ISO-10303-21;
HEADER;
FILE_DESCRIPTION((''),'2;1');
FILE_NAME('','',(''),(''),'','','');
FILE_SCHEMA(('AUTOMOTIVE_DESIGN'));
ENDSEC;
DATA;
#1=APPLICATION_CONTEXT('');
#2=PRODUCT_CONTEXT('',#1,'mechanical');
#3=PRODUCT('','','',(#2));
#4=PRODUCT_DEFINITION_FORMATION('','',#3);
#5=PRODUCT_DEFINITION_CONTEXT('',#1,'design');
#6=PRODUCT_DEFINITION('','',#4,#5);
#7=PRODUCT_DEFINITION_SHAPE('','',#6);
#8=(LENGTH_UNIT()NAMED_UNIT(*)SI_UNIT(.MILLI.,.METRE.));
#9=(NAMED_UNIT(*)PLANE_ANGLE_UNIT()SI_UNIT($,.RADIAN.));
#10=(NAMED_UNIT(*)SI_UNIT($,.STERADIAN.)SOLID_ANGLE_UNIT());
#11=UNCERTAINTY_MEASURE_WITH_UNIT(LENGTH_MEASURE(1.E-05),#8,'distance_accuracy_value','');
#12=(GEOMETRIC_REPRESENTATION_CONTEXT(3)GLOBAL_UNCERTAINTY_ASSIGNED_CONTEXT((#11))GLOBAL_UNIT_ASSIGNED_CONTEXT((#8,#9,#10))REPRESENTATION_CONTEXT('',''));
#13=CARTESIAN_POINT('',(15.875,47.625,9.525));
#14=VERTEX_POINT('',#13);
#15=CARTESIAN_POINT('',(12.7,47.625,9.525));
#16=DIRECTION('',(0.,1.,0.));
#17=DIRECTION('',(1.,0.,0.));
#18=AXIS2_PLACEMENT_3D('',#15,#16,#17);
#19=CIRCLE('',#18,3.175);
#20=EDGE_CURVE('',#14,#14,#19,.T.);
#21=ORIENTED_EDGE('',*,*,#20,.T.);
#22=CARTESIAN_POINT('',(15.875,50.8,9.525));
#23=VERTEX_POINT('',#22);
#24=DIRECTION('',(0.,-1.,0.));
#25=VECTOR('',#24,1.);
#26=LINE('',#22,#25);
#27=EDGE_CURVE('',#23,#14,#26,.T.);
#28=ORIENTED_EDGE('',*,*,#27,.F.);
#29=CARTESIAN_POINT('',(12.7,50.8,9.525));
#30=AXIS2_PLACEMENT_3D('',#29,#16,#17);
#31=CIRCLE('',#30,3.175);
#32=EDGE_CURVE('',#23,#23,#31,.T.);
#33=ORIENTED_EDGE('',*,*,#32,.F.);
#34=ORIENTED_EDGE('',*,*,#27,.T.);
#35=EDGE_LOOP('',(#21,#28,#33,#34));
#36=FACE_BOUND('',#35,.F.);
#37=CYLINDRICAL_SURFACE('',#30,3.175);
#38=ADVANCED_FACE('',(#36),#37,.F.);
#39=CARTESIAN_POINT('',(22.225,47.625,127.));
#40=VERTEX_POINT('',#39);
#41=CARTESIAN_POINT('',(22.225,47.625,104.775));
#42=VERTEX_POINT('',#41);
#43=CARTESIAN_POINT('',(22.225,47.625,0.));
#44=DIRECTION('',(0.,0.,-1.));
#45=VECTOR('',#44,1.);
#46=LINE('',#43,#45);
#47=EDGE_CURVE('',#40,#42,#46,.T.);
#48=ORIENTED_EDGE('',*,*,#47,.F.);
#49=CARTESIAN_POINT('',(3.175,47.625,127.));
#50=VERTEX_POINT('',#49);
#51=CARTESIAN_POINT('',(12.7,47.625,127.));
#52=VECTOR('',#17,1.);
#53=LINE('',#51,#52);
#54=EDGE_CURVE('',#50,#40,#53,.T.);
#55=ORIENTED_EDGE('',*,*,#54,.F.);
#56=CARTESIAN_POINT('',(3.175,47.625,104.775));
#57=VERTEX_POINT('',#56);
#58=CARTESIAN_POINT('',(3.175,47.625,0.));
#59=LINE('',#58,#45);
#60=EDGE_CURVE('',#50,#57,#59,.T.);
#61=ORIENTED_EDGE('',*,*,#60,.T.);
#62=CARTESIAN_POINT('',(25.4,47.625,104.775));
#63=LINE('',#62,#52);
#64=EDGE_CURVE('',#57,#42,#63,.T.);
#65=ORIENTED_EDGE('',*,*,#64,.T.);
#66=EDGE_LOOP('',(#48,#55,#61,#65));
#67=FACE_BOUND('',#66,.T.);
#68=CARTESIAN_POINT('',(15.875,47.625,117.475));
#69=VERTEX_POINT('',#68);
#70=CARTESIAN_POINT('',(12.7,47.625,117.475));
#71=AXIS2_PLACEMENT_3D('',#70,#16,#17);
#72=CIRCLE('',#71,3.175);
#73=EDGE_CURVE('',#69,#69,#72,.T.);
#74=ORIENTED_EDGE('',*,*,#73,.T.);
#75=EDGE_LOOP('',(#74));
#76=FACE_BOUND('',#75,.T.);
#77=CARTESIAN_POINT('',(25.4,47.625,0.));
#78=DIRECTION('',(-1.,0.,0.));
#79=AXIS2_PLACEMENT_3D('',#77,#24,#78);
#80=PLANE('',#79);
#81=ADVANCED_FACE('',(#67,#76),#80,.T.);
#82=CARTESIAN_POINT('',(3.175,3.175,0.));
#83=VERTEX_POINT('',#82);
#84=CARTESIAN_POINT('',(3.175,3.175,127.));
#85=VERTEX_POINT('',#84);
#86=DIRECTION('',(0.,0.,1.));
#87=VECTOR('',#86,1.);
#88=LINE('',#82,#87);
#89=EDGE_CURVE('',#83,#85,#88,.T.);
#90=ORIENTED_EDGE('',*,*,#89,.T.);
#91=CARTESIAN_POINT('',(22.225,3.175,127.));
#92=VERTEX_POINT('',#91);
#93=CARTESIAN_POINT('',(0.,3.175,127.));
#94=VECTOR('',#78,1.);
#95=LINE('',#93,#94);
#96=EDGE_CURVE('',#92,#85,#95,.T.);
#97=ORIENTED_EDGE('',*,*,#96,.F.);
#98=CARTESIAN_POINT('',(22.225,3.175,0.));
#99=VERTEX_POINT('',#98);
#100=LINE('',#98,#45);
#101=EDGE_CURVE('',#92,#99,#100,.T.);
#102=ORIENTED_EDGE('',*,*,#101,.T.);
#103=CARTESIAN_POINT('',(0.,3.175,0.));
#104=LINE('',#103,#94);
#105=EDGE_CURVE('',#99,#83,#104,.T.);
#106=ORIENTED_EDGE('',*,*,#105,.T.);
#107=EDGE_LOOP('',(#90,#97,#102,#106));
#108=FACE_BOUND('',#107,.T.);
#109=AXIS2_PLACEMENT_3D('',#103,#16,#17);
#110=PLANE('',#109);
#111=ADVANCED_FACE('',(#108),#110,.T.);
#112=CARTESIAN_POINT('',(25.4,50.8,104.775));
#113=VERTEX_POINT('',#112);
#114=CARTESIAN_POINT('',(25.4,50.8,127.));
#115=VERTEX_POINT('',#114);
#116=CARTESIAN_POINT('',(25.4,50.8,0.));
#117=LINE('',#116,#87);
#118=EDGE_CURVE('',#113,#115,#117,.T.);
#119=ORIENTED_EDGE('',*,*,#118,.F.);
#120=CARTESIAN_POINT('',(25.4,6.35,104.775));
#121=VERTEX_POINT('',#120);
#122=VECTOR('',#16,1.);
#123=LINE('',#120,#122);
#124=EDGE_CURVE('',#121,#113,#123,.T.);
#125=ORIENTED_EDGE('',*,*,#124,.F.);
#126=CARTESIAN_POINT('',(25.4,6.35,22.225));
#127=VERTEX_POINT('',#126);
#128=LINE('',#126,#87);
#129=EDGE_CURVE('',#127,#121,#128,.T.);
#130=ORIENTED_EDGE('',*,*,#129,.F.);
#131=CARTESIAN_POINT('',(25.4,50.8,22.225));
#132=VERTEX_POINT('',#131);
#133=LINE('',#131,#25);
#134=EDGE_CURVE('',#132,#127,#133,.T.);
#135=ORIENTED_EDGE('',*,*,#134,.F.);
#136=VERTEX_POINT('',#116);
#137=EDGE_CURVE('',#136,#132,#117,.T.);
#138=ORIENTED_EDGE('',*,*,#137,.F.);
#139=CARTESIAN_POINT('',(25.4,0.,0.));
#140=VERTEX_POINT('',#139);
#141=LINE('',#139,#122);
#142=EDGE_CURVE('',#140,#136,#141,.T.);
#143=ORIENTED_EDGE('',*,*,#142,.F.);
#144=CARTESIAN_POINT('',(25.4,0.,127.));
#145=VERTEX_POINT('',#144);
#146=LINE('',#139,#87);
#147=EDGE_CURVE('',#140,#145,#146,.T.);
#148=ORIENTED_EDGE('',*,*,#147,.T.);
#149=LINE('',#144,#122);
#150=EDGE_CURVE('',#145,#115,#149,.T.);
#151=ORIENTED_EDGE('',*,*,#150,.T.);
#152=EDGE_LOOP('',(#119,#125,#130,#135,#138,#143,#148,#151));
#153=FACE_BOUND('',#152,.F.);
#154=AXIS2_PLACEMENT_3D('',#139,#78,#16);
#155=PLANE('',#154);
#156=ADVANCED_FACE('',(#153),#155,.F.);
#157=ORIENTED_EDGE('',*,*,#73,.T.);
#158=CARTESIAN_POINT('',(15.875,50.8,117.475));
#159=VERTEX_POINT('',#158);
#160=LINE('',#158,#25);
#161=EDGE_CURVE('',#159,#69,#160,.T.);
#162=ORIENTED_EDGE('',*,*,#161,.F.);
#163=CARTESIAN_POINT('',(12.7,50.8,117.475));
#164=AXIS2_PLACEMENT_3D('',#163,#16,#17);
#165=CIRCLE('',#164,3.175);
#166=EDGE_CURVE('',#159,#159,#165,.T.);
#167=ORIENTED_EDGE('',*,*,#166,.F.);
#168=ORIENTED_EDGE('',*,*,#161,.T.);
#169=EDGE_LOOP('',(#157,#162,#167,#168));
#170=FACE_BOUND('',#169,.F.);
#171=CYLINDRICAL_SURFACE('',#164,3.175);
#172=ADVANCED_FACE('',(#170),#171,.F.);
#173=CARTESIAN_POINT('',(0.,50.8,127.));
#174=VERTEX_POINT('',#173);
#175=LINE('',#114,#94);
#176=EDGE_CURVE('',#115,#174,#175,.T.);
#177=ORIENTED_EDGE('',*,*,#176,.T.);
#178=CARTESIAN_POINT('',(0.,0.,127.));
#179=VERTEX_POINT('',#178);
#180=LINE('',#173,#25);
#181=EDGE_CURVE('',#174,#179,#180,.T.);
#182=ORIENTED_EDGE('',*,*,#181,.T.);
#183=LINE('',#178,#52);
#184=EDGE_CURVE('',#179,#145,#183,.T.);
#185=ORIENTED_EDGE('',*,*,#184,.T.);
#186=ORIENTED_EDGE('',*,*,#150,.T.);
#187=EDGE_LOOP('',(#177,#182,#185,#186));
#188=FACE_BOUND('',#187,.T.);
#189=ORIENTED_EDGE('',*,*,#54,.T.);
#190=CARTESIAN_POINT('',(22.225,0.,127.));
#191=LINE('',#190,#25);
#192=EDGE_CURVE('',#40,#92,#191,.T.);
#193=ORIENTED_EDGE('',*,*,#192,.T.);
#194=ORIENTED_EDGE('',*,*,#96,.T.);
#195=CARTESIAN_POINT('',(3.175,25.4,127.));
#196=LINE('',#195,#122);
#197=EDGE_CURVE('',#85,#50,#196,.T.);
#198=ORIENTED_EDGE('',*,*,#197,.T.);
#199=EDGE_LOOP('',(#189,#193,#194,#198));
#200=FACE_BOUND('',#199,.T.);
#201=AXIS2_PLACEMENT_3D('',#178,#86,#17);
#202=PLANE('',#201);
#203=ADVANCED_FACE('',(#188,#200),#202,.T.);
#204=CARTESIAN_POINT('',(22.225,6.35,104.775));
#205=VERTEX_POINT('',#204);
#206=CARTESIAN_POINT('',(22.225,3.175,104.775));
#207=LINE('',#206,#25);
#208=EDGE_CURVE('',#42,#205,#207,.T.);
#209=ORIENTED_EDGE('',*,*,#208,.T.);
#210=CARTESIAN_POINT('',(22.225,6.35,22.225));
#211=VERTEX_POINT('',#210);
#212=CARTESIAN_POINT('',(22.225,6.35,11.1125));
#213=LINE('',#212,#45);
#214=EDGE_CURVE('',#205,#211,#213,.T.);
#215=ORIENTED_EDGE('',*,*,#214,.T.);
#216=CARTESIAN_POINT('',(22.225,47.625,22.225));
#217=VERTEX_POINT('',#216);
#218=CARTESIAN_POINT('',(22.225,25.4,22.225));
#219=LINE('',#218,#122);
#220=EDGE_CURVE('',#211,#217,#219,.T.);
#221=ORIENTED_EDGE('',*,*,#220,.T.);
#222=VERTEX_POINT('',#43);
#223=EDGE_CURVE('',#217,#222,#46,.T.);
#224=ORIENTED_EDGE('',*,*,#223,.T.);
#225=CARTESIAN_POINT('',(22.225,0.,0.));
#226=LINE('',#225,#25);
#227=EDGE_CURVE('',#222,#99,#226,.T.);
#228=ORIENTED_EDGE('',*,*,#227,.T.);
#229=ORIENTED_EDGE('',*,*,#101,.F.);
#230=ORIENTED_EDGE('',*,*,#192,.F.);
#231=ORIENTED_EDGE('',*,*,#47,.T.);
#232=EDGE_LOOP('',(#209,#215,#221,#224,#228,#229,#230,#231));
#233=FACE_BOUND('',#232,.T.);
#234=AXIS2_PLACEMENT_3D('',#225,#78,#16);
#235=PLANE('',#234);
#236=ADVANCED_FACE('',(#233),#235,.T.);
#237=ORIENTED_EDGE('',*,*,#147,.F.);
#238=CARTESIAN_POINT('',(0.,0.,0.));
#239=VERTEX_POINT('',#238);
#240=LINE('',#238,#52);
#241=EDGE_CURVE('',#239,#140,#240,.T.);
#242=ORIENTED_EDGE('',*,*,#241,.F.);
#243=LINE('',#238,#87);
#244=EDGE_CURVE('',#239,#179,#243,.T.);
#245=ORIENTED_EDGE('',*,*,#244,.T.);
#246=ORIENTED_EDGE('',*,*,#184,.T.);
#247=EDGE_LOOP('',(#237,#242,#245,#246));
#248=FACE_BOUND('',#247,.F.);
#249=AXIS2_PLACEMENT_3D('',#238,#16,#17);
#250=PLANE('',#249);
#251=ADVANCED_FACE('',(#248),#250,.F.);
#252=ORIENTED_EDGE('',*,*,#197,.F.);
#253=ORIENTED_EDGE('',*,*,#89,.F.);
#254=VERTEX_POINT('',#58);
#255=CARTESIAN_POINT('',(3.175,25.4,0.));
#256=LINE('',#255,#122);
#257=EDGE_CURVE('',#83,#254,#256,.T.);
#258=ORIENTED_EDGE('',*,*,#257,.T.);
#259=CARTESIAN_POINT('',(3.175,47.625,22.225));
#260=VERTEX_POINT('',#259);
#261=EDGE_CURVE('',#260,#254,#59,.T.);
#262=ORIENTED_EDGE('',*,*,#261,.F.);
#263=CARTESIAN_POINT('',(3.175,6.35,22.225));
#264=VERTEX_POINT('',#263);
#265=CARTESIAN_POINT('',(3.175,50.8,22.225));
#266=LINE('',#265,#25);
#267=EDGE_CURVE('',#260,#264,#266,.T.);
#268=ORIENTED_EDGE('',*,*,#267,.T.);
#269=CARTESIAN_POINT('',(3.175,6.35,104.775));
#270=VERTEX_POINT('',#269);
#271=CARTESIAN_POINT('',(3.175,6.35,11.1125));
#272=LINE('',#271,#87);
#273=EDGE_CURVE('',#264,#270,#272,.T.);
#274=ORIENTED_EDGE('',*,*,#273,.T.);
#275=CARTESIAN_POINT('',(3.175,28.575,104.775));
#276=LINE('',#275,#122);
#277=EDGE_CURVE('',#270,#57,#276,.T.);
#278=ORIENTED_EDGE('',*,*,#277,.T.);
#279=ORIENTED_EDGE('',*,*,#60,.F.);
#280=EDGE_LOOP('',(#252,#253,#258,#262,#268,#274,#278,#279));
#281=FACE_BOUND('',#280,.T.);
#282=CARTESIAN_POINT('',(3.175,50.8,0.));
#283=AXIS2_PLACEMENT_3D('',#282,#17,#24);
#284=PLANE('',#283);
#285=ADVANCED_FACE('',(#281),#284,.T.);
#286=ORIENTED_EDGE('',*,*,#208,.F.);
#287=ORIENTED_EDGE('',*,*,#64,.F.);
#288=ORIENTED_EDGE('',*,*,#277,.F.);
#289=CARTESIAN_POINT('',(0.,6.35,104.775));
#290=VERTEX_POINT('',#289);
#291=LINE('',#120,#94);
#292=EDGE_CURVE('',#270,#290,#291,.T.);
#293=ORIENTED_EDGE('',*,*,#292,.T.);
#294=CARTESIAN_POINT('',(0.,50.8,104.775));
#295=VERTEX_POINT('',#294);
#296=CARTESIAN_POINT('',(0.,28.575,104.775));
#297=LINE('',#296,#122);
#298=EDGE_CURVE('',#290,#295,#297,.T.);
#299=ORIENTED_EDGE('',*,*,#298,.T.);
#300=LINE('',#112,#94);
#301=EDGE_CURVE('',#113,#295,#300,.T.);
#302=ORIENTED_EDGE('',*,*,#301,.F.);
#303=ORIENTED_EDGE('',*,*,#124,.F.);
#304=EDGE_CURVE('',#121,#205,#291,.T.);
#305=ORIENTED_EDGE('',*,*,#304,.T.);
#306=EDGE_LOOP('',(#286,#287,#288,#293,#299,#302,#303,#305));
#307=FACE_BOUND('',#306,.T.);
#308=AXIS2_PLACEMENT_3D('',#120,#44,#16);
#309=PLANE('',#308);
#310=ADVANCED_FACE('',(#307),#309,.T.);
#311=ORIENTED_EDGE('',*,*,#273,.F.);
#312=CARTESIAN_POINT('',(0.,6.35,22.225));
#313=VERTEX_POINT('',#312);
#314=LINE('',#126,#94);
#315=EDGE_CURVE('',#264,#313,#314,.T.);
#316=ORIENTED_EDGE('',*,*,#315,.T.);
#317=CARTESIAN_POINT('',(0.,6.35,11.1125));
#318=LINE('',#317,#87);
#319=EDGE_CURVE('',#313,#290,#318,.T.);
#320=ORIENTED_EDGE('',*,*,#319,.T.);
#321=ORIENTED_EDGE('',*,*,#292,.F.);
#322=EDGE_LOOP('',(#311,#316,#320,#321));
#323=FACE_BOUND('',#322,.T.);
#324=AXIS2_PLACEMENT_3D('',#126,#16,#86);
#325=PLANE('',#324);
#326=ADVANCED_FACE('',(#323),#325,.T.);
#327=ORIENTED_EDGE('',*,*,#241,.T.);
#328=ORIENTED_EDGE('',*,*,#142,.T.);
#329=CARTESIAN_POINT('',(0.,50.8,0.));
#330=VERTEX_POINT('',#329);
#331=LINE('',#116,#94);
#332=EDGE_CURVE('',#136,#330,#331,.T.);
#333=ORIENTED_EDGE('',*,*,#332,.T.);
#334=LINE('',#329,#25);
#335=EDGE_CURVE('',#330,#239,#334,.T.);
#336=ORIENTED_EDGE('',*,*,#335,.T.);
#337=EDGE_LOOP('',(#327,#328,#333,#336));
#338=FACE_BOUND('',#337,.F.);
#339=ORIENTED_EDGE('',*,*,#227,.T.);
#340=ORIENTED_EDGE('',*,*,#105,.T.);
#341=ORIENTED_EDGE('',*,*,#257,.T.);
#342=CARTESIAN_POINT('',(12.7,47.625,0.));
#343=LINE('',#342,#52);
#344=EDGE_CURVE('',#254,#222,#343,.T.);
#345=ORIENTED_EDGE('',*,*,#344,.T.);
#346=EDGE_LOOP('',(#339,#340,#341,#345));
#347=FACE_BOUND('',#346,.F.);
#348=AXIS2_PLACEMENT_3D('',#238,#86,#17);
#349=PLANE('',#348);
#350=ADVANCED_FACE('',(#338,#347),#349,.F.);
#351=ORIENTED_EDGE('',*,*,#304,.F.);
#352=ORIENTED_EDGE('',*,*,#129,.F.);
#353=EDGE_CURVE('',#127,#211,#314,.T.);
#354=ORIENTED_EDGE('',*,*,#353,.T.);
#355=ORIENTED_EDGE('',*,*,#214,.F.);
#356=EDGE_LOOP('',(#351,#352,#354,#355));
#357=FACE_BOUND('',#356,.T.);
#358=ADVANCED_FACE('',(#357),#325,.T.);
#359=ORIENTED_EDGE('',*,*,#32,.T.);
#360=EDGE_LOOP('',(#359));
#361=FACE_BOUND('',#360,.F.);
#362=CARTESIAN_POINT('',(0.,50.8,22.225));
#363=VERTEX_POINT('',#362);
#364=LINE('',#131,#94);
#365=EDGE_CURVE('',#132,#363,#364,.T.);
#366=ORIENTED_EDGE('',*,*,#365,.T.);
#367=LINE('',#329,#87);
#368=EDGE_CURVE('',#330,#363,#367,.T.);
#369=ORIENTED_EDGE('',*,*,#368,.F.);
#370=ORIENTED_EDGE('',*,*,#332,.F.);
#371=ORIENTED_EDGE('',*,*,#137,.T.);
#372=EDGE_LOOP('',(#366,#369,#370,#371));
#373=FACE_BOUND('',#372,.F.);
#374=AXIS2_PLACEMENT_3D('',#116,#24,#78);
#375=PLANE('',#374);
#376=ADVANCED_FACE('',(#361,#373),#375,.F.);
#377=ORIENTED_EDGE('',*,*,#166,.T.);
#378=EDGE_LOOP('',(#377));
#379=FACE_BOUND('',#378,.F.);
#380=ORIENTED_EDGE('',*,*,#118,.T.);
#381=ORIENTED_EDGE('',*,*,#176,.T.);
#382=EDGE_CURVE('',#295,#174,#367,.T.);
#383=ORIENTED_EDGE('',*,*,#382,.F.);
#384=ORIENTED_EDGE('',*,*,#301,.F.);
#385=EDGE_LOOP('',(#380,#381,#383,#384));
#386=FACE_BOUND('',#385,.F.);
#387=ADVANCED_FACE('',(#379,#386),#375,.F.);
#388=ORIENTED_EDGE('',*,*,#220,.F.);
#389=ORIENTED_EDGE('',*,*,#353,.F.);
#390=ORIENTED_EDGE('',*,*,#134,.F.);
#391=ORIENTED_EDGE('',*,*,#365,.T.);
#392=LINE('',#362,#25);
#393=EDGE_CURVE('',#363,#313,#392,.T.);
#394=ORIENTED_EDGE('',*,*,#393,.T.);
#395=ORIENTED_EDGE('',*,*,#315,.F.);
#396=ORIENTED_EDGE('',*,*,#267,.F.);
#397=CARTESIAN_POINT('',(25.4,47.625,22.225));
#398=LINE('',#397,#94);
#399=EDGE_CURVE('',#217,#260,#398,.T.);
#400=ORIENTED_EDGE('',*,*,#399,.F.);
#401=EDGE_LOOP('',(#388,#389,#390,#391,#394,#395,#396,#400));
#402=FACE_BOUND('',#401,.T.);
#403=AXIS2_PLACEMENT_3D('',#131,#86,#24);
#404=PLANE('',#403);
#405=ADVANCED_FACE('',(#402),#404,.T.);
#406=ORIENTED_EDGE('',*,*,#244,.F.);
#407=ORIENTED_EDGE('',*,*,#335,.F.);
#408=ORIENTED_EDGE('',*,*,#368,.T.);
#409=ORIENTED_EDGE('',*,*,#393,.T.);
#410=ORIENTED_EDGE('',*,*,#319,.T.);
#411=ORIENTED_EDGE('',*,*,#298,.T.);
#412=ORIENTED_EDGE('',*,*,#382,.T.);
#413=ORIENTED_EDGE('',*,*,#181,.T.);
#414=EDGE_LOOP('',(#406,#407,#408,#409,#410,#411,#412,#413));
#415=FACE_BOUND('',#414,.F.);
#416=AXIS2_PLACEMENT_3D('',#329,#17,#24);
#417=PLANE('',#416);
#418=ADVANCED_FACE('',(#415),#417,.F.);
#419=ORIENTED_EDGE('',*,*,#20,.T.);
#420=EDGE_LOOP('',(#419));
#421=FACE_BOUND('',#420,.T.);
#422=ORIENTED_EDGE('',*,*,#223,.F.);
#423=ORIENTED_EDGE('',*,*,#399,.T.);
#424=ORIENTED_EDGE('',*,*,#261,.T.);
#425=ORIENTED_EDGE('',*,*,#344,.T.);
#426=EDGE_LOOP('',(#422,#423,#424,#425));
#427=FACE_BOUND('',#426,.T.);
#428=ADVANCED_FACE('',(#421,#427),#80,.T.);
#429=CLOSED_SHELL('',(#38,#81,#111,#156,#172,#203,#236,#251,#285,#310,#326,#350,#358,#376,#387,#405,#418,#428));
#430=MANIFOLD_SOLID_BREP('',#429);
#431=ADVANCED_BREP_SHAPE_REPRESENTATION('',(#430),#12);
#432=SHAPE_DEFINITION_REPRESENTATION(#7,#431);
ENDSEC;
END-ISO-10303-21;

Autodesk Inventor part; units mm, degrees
ref_plane "YZ Plane" through (0, 0, 0) normal (1, 0, 0) x (0, 1, 0)
ref_plane "XZ Plane" through (0, 0, 0) normal (0, 1, 0) x (-1, 0, 0)
ref_plane "XY Plane" through (0, 0, 0) normal (0, 0, 1) x (1, 0, 0)
sketch "Sketch1" plane through (0, 0, 0) normal (0, 0, 1) x (1, 0, 0)
  line L0 (0, 0) -> (25.4, 0)
  line L1 (25.4, 0) -> (25.4, 50.8)
  line L2 (25.4, 50.8) -> (0, 50.8)
  line L3 (0, 50.8) -> (0, 0)
  dimension "d0" = 25.4
  dimension "d1" = 50.8
extrude "Extrusion1" add sketch "Sketch1" along normal blind 127
shell "Shell1" thickness 3.175 removed faces 2 at (8.4667, 33.8667, 0) at (8.4667, 33.8667, 127)
sketch "Sketch3" plane through (0, 50.8, 0) normal (0, 1, 0) x (1, 0, 0)
  line L0 (0, -127) -> (25.4, -127) projected
  line L1 (25.4, 0) -> (25.4, -127) projected
  line L2 (25.4, 0) -> (0, 0) projected
  line L3 (0, 0) -> (0, -127) projected
  circle A0 centre (12.7, -9.525) radius 3.175
  circle A1 centre (12.7, -117.475) radius 3.175
  dimension "d10" = 6.35
  dimension "d11" = 12.7
  dimension "d12" = 9.525
  dimension "d13" = 12.7
  dimension "d14" = 9.525
sketch "Sketch2" plane through (25.4, 0, 0) normal (1, 0, 0) x (0, 0, -1)
  line L0 (-127, 50.8) -> (-127, 0) projected
  line L1 (0, 0) -> (-127, 0) projected
  line L2 (0, 0) -> (0, 50.8) projected
  line L3 (0, 50.8) -> (-127, 50.8) projected
  line L4 (-104.775, 50.8) -> (-22.225, 50.8)
  line L5 (-22.225, 50.8) -> (-22.225, 6.35)
  line L6 (-22.225, 6.35) -> (-104.775, 6.35)
  line L7 (-104.775, 6.35) -> (-104.775, 50.8)
  line L8 (-22.225, 35.4291) -> (0, 35.4291) construction
  line L9 (-104.775, 35.4291) -> (-127, 35.4291) construction
  dimension "d5" = 6.35
  dimension "d19" = 82.55
extrude "Extrusion3" cut sketch "Sketch3" against normal up to next contours A0 | A1
extrude "Extrusion4" cut sketch "Sketch2" against normal through all contours L3 L5 L6 L7
properties part number "Frame_BatteryMount" material "Aluminum-6061"
